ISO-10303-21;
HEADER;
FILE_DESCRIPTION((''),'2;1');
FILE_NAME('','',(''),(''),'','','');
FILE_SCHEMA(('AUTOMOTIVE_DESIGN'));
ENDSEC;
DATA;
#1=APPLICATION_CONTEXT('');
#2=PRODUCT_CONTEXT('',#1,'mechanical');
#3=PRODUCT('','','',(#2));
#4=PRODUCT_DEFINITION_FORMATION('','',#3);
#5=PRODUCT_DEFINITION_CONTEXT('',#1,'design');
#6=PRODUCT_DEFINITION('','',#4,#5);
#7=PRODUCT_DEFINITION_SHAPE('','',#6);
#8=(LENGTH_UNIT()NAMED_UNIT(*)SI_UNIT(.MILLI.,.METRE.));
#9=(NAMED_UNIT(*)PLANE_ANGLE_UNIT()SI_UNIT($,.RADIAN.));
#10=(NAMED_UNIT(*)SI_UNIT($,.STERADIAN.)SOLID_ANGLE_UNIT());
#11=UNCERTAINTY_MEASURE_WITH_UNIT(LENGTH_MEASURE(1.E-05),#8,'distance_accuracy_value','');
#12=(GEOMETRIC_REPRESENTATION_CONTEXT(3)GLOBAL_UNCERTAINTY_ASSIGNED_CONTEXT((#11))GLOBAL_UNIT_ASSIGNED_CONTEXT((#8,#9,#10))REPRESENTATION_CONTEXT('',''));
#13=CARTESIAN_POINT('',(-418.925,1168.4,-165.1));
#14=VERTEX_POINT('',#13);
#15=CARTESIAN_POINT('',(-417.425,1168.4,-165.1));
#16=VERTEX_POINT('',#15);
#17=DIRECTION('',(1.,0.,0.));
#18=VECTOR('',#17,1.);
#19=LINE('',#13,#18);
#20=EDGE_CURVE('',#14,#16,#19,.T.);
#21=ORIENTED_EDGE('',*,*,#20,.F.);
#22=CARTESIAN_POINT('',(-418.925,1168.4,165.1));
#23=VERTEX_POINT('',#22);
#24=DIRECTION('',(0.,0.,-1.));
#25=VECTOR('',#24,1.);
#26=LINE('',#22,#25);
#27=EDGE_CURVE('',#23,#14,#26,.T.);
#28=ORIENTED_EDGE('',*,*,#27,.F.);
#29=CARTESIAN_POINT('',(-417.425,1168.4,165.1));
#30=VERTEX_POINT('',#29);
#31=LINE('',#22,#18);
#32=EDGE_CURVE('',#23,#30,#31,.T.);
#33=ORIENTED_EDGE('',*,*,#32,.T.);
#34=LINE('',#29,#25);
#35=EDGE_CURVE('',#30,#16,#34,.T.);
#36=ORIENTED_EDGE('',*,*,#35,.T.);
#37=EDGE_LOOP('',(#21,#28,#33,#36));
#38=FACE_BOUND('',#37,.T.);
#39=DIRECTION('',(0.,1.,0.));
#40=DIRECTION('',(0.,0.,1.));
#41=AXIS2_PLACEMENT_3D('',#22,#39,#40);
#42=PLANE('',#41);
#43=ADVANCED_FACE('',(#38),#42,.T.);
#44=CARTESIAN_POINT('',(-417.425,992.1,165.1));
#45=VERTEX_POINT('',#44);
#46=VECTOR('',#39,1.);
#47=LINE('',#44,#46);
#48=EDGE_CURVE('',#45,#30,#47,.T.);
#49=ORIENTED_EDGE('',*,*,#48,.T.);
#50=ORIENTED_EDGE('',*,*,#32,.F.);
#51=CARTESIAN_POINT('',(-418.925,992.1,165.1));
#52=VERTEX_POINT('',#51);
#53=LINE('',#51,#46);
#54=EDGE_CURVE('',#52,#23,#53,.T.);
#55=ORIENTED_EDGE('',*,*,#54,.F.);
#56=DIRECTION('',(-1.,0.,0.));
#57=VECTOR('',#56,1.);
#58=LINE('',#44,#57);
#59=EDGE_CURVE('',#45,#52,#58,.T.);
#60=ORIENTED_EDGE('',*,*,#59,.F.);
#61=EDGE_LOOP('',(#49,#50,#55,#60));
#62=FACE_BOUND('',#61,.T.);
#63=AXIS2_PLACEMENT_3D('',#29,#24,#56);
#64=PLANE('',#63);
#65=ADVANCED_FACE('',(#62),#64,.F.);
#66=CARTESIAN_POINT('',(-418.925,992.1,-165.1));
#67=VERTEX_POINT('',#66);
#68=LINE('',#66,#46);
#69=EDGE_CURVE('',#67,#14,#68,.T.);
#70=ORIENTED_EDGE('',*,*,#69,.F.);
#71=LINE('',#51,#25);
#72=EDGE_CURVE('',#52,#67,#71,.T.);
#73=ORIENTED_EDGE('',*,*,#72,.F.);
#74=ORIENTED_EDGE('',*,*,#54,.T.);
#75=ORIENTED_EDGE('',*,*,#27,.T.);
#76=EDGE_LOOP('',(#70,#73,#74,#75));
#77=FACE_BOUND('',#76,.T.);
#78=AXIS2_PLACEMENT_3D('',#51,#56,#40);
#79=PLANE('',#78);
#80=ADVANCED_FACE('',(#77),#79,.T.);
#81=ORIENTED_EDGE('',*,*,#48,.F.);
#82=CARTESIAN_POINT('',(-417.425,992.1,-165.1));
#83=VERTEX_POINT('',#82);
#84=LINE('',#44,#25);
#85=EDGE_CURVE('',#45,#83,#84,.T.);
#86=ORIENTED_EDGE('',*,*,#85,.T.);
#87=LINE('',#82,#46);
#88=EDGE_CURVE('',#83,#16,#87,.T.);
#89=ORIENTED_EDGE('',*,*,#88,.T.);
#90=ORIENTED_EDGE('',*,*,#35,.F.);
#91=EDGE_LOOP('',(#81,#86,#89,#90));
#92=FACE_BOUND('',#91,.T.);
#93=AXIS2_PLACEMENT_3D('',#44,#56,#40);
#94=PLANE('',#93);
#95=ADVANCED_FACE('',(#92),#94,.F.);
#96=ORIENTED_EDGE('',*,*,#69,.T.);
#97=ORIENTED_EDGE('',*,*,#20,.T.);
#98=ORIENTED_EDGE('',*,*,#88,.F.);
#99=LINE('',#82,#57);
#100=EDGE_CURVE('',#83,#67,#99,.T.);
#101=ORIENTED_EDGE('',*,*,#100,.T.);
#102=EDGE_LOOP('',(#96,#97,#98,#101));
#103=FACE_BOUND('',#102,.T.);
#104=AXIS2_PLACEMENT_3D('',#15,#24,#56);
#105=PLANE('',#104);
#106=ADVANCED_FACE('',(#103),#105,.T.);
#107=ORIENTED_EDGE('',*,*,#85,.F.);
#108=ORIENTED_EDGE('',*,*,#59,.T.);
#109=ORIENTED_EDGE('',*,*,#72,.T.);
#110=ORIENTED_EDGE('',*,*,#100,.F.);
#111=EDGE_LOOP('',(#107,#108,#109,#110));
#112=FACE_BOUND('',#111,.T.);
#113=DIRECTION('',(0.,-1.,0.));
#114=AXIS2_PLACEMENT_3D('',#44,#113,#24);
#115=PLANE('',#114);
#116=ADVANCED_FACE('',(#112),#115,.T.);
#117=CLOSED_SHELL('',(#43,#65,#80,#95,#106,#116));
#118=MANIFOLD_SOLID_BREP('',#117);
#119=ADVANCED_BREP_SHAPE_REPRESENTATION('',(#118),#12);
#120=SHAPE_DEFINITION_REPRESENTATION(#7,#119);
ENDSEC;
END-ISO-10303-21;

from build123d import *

# Parameters (mm, degrees)
SKETCH1_W           = 1.5
SKETCH1_H           = 176.3
EXTRUDE_THIN1_DEPTH = 165.1


with BuildPart() as part:
    # Sketch1 → Extrude-Thin1 (new body, symmetric)
    with BuildSketch(Plane.XY):
        with Locations((-418.175, 1080.25)):
            Rectangle(SKETCH1_W, SKETCH1_H)
    extrude(amount=EXTRUDE_THIN1_DEPTH, both=True)


solid = part.part
